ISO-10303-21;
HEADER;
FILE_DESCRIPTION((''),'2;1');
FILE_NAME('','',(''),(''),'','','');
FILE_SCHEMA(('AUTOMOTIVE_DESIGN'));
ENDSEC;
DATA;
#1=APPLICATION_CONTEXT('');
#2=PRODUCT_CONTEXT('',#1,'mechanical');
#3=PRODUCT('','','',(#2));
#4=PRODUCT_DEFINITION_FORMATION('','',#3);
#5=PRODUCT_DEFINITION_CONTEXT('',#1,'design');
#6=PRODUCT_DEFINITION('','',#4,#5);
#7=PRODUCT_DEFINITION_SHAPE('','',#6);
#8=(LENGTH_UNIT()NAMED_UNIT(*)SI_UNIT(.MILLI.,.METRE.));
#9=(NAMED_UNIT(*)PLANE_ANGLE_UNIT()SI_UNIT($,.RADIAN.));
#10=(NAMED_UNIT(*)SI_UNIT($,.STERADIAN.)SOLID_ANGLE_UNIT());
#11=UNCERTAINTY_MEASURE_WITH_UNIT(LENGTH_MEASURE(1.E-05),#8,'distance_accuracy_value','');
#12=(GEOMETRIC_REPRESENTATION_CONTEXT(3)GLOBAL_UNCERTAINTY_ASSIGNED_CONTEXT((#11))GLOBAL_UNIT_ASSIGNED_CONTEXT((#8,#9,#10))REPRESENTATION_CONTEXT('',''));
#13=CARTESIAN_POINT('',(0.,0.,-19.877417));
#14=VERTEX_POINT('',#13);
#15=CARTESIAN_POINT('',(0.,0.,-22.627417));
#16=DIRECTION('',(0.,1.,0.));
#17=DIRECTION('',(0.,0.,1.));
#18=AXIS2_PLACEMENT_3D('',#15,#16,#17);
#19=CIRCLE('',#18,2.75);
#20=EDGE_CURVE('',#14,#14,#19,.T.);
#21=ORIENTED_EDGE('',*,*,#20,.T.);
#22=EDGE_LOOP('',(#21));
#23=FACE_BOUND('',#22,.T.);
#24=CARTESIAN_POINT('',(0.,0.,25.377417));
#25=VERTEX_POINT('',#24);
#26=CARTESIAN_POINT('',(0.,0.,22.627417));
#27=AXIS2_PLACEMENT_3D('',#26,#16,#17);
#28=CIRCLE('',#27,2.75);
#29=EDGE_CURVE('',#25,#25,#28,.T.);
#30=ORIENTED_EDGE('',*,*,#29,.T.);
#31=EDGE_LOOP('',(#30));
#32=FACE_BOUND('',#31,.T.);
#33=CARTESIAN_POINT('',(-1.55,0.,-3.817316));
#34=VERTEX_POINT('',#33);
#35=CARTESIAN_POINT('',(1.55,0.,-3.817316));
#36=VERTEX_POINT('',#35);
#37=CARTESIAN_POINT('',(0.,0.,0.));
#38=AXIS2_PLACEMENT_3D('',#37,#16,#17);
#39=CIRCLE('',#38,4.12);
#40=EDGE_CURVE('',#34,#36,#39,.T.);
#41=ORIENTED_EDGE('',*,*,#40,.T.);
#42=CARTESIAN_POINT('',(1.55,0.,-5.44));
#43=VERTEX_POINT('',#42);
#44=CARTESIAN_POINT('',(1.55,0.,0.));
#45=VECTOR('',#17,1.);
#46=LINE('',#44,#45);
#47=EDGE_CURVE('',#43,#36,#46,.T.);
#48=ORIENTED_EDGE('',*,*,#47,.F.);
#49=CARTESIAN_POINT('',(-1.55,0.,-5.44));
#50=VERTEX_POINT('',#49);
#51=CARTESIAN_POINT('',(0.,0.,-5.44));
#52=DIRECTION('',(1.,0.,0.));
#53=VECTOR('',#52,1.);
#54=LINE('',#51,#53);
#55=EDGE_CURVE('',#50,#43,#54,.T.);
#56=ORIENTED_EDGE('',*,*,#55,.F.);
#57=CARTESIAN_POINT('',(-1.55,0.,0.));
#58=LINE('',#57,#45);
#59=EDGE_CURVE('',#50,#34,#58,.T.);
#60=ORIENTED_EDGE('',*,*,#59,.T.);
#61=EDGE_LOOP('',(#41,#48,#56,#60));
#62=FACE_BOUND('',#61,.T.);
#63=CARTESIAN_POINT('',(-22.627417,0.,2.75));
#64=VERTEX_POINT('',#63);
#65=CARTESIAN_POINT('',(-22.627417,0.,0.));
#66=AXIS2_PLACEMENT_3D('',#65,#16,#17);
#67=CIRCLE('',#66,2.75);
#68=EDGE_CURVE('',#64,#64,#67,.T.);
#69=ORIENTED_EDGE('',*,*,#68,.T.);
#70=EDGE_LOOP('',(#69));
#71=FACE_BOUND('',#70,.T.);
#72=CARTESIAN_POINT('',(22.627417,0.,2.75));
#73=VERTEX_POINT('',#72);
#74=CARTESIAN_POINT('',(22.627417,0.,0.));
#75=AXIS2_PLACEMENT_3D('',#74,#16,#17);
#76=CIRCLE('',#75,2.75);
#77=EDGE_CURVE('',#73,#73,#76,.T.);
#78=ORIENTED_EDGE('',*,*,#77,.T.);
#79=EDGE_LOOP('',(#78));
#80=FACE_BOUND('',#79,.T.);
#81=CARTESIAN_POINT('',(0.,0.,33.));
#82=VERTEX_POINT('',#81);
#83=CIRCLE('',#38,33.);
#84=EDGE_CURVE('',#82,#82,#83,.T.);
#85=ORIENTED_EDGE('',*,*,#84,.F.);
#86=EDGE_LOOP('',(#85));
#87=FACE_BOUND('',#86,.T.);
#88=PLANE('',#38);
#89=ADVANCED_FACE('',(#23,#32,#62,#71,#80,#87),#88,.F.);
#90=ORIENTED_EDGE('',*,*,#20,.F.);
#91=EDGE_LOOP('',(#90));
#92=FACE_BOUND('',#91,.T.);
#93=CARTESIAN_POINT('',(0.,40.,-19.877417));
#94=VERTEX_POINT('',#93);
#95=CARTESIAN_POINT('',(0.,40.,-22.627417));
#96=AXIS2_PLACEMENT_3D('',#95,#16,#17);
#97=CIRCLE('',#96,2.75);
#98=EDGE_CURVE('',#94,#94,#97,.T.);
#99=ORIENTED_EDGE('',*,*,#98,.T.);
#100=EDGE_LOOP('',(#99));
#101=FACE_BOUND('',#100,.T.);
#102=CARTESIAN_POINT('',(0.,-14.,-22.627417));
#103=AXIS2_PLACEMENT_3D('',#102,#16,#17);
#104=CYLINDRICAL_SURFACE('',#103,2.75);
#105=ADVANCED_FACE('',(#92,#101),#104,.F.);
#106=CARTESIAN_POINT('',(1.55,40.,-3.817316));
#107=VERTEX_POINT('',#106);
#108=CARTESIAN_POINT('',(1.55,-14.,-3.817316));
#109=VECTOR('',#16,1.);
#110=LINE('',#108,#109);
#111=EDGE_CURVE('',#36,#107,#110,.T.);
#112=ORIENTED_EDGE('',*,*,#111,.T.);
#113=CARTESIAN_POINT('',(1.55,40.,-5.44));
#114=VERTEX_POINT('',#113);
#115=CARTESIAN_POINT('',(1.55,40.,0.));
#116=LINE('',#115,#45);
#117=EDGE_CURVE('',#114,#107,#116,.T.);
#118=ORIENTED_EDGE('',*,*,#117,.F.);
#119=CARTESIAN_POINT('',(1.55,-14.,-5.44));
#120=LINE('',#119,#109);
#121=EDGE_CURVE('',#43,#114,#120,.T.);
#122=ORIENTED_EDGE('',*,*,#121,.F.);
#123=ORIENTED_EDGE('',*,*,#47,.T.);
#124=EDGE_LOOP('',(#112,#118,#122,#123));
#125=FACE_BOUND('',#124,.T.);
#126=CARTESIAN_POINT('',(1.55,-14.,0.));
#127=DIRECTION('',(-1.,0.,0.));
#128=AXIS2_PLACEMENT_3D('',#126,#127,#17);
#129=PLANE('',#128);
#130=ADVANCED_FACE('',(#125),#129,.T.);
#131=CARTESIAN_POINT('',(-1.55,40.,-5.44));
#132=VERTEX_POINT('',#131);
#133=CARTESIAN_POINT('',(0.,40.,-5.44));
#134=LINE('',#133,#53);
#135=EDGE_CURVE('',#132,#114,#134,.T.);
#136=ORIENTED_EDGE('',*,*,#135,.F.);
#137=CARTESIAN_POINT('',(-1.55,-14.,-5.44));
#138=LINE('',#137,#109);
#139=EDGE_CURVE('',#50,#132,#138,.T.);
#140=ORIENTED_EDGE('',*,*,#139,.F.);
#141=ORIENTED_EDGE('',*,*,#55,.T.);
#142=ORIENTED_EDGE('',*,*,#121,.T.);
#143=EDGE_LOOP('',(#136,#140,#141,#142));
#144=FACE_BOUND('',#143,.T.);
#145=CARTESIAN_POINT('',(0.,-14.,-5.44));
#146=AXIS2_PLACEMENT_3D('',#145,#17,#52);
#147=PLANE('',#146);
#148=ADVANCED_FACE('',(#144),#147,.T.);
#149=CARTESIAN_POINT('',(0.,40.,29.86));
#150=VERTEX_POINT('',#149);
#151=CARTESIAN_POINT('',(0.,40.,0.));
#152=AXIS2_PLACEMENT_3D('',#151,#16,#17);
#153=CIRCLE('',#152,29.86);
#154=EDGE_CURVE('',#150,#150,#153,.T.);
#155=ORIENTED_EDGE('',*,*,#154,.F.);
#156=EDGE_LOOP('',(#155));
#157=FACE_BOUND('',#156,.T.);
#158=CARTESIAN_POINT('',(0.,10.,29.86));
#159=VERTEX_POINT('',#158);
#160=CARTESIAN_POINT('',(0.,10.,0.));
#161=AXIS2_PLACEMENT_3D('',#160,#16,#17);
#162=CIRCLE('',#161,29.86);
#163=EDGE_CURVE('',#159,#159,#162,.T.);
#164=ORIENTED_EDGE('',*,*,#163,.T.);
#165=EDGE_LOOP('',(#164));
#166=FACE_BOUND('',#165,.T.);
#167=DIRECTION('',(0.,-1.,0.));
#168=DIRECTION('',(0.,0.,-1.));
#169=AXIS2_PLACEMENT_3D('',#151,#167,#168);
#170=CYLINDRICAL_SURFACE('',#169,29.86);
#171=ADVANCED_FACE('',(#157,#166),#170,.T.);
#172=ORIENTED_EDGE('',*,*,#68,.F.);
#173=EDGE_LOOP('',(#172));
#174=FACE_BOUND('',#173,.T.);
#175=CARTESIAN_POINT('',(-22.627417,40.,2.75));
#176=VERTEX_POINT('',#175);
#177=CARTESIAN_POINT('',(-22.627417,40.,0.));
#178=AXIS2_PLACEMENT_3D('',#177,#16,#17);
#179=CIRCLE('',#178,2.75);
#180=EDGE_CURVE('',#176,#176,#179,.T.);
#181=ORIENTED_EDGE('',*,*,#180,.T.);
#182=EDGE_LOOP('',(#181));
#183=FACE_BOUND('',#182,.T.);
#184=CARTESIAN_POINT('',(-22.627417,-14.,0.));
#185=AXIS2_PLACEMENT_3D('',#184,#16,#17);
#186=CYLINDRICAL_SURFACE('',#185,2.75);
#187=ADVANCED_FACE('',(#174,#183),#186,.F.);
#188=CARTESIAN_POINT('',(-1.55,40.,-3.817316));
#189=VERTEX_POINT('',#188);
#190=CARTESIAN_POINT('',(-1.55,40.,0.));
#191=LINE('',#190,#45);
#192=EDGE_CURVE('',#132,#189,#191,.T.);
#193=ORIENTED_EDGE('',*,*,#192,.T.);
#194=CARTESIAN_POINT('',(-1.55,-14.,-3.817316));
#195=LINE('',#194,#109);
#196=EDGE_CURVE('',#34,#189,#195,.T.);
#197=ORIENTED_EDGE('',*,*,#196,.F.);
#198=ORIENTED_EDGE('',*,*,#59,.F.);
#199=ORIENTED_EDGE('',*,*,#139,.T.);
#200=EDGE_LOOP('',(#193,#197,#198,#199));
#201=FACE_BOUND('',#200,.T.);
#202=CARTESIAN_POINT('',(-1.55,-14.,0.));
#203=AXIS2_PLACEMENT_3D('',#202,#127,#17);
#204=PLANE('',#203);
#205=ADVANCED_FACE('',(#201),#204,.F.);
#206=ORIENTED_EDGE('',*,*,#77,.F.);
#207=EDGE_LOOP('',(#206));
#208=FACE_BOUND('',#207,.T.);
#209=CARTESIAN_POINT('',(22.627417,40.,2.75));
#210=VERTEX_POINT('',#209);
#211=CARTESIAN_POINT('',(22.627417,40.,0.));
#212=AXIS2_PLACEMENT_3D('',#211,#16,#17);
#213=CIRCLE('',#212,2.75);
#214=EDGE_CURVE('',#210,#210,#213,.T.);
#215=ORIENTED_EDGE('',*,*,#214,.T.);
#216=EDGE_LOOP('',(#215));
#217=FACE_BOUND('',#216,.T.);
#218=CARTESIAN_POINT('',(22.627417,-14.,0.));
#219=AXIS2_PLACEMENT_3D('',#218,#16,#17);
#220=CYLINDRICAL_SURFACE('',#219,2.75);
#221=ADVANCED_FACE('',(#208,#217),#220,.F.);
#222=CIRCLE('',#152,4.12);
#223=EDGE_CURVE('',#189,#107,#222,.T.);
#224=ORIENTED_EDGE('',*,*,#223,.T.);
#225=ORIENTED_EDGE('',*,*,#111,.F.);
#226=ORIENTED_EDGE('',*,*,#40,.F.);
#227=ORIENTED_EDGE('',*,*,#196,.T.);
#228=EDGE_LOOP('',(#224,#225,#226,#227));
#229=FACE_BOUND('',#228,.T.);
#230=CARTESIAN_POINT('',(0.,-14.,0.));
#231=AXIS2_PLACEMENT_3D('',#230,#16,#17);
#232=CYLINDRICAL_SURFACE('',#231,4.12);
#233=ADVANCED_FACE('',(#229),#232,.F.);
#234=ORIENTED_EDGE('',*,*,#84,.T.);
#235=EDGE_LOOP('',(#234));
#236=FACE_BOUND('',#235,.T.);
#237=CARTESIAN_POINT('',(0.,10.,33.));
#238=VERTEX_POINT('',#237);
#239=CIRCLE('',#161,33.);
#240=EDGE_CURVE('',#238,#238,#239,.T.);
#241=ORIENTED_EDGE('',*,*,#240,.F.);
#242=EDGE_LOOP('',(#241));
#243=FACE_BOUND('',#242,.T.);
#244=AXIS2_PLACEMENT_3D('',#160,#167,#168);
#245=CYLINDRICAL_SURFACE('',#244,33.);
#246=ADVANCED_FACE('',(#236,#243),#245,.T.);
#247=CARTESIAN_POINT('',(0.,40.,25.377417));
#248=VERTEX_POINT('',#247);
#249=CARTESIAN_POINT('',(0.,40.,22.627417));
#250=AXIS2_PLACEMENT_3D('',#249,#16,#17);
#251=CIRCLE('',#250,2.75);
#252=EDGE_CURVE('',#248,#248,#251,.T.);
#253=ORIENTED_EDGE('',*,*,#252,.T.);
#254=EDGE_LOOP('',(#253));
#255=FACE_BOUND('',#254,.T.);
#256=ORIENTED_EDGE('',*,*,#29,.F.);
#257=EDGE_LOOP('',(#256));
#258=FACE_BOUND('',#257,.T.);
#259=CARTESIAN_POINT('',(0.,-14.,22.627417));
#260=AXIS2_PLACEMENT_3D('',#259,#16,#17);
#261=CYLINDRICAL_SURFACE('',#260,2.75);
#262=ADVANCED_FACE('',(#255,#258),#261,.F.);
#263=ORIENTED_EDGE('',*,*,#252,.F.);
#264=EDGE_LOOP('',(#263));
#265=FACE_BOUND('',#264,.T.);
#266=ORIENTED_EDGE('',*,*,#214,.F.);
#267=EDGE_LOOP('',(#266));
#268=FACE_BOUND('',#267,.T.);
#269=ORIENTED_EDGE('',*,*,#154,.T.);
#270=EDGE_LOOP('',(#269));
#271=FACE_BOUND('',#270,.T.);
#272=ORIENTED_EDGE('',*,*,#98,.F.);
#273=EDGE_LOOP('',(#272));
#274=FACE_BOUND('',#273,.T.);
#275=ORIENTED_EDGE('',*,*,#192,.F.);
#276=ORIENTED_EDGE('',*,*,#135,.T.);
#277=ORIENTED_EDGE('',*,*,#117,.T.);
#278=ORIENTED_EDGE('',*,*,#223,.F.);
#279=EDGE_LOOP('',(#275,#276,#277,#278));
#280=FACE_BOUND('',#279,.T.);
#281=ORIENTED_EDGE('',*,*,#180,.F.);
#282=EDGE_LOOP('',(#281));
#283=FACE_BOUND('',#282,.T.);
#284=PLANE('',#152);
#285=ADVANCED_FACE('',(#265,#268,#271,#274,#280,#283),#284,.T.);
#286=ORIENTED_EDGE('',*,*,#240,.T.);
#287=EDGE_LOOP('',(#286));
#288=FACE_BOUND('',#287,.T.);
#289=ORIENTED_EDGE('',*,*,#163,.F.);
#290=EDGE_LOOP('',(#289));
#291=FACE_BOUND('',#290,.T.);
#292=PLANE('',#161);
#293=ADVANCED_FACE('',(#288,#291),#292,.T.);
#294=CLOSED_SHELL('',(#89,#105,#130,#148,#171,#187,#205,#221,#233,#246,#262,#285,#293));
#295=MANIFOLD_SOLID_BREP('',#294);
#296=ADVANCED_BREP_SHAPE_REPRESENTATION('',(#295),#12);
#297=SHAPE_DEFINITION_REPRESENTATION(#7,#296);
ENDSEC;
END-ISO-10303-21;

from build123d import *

# Parameters (mm, degrees)
SKETCH1_R           = 33
BOSS_EXTRUDE1_DEPTH = 10
SKETCH2_R           = 29.86
BOSS_EXTRUDE2_DEPTH = 30
CUT_EXTRUDE1_DEPTH  = 54
SKETCH4_R           = 4.12
CUT_EXTRUDE2_DEPTH  = 54


with BuildPart() as part:
    # Sketch1 → Boss-Extrude1 (new body)
    with BuildSketch(Plane(origin=(0, 0, 0), x_dir=(1, 0, 0), z_dir=(0, 1, 0))):
        with Locations(Location((0, 0, 0), (0, 0, 270))):
            Circle(SKETCH1_R)
    extrude(amount=BOSS_EXTRUDE1_DEPTH)

    # Sketch2 → Boss-Extrude2 (add)
    with BuildSketch(Plane(origin=(0, 10, 0), x_dir=(1, 0, 0), z_dir=(0, 1, 0))):
        with Locations(Location((0, 0, 0), (0, 0, 270))):
            Circle(SKETCH2_R)
    extrude(amount=BOSS_EXTRUDE2_DEPTH)

    # Sketch3 → Cut-Extrude1 (cut)
    with BuildSketch(Plane(origin=(0, 40, 0), x_dir=(1, 0, 0), z_dir=(0, 1, 0))):
        with BuildLine():
            Line((1.944543648, 20.68287335), (0, 22.627416998))
            Line((0, 22.627416998), (-1.944543648, 20.68287335))
            ThreePointArc((-1.944543648, 20.68287335), (0, 19.877416998), (1.944543648, 20.68287335))
        make_face()
        with BuildLine():
            Line((-1.944543648, 20.68287335), (0, 22.627416998))
            Line((0, 22.627416998), (1.944543648, 20.68287335))
            ThreePointArc((1.944543648, 20.68287335), (2.540668714, 21.575037559), (2.75, 22.627416998))
            ThreePointArc((2.75, 22.627416998), (-1.052379439, 25.168085712), (-1.944543648, 20.68287335))
        make_face()
        with BuildLine():
            ThreePointArc((25.377416998, 0), (23.679796437, 2.540668714), (20.68287335, 1.944543648))
            Line((20.68287335, 1.944543648), (22.627416998, 0))
            Line((22.627416998, 0), (20.68287335, -1.944543648))
            ThreePointArc((20.68287335, -1.944543648), (23.679796437, -2.540668714), (25.377416998, 0))
        make_face()
        with BuildLine():
            Line((22.627416998, 0), (20.68287335, 1.944543648))
            ThreePointArc((20.68287335, 1.944543648), (19.877416998, 0), (20.68287335, -1.944543648))
            Line((20.68287335, -1.944543648), (22.627416998, 0))
        make_face()
        with BuildLine():
            ThreePointArc((1.944543648, -20.68287335), (0, -19.877416998), (-1.944543648, -20.68287335))
            Line((-1.944543648, -20.68287335), (0, -22.627416998))
            Line((0, -22.627416998), (1.944543648, -20.68287335))
        make_face()
        with BuildLine():
            Line((0, -22.627416998), (-1.944543648, -20.68287335))
            ThreePointArc((-1.944543648, -20.68287335), (-1.052379439, -25.168085712), (2.75, -22.627416998))
            ThreePointArc((2.75, -22.627416998), (2.540668714, -21.575037559), (1.944543648, -20.68287335))
            Line((1.944543648, -20.68287335), (0, -22.627416998))
        make_face()
        with BuildLine():
            ThreePointArc((-19.877416998, 0), (-20.086748284, 1.052379439), (-20.68287335, 1.944543648))
            Line((-20.68287335, 1.944543648), (-22.627416998, 0))
            Line((-22.627416998, 0), (-20.68287335, -1.944543648))
            ThreePointArc((-20.68287335, -1.944543648), (-20.086748284, -1.052379439), (-19.877416998, 0))
        make_face()
        with BuildLine():
            Line((-22.627416998, 0), (-20.68287335, 1.944543648))
            ThreePointArc((-20.68287335, 1.944543648), (-25.377416998, 0), (-20.68287335, -1.944543648))
            Line((-20.68287335, -1.944543648), (-22.627416998, 0))
        make_face()
    extrude(amount=-CUT_EXTRUDE1_DEPTH, mode=Mode.SUBTRACT)

    # Sketch4 → Cut-Extrude2 (cut)
    with BuildSketch(Plane(origin=(0, 40, 0), x_dir=(1, 0, 0), z_dir=(0, 1, 0))):
        Circle(SKETCH4_R)
        with BuildLine():
            Line((0, 5.44), (0, 4.12))
            ThreePointArc((0, 4.12), (0.789638797, 4.043620973), (1.55, 3.817315811))
            Line((1.55, 3.817315811), (1.55, 5.44))
            Line((1.55, 5.44), (0, 5.44))
        make_face()
        with BuildLine():
            ThreePointArc((-1.55, 3.817315811), (-0.789638797, 4.043620973), (0, 4.12))
            Line((0, 4.12), (0, 5.44))
            Line((0, 5.44), (-1.55, 5.44))
            Line((-1.55, 5.44), (-1.55, 3.817315811))
        make_face()
    extrude(amount=-CUT_EXTRUDE2_DEPTH, mode=Mode.SUBTRACT)


solid = part.part
